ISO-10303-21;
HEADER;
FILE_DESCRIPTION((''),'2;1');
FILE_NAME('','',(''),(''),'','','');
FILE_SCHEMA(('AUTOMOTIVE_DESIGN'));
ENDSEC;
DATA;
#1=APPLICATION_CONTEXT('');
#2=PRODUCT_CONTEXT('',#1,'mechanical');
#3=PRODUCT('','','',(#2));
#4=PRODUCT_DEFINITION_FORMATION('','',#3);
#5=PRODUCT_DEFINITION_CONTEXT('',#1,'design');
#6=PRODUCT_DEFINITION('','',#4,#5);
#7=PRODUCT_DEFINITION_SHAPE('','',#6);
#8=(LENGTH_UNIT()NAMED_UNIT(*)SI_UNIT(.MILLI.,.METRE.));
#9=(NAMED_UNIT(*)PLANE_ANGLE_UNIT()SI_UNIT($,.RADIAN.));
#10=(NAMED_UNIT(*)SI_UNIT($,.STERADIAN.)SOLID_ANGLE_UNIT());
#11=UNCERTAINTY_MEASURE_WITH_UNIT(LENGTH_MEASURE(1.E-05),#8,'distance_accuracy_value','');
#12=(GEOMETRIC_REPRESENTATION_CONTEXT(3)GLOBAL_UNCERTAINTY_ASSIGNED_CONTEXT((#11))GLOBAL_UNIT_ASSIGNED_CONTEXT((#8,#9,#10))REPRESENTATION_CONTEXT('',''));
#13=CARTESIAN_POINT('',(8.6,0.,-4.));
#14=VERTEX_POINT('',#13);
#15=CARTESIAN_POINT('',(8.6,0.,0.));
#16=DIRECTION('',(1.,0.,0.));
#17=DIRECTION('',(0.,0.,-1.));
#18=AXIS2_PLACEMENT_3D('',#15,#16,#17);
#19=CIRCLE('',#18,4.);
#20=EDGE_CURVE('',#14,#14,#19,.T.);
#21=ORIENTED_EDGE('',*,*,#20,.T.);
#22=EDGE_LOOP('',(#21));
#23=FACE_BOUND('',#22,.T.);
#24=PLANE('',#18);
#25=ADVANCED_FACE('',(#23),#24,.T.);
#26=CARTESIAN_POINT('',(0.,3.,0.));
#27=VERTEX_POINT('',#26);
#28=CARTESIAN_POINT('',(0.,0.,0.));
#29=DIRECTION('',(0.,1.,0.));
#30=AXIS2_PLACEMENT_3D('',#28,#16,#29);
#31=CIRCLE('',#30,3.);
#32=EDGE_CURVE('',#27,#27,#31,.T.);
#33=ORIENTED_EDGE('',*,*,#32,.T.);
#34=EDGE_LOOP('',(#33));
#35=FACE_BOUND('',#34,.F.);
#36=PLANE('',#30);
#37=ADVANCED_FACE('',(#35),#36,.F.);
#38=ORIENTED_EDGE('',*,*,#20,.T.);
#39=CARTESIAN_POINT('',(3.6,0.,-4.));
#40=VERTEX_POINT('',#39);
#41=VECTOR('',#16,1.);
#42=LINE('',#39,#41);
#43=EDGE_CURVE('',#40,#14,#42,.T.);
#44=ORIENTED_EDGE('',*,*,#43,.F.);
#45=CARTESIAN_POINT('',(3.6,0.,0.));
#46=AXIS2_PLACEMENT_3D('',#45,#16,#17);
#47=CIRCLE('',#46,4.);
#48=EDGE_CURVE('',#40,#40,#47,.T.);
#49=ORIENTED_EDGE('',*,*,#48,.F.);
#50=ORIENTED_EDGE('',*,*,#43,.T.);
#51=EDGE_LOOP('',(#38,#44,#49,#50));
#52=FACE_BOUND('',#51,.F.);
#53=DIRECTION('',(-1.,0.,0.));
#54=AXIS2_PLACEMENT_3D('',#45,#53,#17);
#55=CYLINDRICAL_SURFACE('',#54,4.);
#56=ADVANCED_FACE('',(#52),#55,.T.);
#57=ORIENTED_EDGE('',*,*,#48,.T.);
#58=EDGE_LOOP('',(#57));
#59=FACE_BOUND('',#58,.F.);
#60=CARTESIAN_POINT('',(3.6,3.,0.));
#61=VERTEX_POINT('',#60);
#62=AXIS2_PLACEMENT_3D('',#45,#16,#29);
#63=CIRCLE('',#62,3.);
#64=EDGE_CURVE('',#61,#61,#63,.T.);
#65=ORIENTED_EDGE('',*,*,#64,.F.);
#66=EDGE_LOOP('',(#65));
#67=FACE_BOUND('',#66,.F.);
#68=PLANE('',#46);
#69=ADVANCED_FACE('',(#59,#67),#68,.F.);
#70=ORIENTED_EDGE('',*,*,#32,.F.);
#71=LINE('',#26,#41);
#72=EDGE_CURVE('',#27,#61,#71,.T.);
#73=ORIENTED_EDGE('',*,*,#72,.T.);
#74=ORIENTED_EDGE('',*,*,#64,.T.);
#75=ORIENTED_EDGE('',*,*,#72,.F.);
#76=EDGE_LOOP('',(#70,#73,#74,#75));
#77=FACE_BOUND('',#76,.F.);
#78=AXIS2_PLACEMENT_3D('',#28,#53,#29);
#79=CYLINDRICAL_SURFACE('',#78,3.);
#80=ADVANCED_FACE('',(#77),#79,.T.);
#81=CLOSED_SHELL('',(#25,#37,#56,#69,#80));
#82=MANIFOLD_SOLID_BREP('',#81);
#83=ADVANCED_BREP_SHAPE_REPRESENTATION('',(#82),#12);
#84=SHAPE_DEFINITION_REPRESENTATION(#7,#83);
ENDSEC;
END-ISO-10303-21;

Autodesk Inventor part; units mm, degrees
ref_plane "YZ Plane" through (0, 0, 0) normal (1, 0, 0) x (0, 1, 0)
ref_plane "XZ Plane" through (0, 0, 0) normal (0, 1, 0) x (-1, 0, 0)
ref_plane "XY Plane" through (0, 0, 0) normal (0, 0, 1) x (1, 0, 0)
sketch "スケッチ1" plane through (0, 0, 0) normal (1, 0, 0) x (0, 1, 0)
  circle A0 centre (0, 0) radius 3
  dimension "d0" = 6
extrude "押し出し1" add sketch "スケッチ1" along normal blind 3.6
sketch "スケッチ2" plane through (3.6, 0, 0) normal (1, 0, 0) x (0, 0, -1)
  circle A0 centre (0, 0) radius 4
  dimension "d3" = 8
extrude "押し出し2" add sketch "スケッチ2" along normal blind 5
properties part number "link2_pole1" material "真鍮、ソフト イエロー"
